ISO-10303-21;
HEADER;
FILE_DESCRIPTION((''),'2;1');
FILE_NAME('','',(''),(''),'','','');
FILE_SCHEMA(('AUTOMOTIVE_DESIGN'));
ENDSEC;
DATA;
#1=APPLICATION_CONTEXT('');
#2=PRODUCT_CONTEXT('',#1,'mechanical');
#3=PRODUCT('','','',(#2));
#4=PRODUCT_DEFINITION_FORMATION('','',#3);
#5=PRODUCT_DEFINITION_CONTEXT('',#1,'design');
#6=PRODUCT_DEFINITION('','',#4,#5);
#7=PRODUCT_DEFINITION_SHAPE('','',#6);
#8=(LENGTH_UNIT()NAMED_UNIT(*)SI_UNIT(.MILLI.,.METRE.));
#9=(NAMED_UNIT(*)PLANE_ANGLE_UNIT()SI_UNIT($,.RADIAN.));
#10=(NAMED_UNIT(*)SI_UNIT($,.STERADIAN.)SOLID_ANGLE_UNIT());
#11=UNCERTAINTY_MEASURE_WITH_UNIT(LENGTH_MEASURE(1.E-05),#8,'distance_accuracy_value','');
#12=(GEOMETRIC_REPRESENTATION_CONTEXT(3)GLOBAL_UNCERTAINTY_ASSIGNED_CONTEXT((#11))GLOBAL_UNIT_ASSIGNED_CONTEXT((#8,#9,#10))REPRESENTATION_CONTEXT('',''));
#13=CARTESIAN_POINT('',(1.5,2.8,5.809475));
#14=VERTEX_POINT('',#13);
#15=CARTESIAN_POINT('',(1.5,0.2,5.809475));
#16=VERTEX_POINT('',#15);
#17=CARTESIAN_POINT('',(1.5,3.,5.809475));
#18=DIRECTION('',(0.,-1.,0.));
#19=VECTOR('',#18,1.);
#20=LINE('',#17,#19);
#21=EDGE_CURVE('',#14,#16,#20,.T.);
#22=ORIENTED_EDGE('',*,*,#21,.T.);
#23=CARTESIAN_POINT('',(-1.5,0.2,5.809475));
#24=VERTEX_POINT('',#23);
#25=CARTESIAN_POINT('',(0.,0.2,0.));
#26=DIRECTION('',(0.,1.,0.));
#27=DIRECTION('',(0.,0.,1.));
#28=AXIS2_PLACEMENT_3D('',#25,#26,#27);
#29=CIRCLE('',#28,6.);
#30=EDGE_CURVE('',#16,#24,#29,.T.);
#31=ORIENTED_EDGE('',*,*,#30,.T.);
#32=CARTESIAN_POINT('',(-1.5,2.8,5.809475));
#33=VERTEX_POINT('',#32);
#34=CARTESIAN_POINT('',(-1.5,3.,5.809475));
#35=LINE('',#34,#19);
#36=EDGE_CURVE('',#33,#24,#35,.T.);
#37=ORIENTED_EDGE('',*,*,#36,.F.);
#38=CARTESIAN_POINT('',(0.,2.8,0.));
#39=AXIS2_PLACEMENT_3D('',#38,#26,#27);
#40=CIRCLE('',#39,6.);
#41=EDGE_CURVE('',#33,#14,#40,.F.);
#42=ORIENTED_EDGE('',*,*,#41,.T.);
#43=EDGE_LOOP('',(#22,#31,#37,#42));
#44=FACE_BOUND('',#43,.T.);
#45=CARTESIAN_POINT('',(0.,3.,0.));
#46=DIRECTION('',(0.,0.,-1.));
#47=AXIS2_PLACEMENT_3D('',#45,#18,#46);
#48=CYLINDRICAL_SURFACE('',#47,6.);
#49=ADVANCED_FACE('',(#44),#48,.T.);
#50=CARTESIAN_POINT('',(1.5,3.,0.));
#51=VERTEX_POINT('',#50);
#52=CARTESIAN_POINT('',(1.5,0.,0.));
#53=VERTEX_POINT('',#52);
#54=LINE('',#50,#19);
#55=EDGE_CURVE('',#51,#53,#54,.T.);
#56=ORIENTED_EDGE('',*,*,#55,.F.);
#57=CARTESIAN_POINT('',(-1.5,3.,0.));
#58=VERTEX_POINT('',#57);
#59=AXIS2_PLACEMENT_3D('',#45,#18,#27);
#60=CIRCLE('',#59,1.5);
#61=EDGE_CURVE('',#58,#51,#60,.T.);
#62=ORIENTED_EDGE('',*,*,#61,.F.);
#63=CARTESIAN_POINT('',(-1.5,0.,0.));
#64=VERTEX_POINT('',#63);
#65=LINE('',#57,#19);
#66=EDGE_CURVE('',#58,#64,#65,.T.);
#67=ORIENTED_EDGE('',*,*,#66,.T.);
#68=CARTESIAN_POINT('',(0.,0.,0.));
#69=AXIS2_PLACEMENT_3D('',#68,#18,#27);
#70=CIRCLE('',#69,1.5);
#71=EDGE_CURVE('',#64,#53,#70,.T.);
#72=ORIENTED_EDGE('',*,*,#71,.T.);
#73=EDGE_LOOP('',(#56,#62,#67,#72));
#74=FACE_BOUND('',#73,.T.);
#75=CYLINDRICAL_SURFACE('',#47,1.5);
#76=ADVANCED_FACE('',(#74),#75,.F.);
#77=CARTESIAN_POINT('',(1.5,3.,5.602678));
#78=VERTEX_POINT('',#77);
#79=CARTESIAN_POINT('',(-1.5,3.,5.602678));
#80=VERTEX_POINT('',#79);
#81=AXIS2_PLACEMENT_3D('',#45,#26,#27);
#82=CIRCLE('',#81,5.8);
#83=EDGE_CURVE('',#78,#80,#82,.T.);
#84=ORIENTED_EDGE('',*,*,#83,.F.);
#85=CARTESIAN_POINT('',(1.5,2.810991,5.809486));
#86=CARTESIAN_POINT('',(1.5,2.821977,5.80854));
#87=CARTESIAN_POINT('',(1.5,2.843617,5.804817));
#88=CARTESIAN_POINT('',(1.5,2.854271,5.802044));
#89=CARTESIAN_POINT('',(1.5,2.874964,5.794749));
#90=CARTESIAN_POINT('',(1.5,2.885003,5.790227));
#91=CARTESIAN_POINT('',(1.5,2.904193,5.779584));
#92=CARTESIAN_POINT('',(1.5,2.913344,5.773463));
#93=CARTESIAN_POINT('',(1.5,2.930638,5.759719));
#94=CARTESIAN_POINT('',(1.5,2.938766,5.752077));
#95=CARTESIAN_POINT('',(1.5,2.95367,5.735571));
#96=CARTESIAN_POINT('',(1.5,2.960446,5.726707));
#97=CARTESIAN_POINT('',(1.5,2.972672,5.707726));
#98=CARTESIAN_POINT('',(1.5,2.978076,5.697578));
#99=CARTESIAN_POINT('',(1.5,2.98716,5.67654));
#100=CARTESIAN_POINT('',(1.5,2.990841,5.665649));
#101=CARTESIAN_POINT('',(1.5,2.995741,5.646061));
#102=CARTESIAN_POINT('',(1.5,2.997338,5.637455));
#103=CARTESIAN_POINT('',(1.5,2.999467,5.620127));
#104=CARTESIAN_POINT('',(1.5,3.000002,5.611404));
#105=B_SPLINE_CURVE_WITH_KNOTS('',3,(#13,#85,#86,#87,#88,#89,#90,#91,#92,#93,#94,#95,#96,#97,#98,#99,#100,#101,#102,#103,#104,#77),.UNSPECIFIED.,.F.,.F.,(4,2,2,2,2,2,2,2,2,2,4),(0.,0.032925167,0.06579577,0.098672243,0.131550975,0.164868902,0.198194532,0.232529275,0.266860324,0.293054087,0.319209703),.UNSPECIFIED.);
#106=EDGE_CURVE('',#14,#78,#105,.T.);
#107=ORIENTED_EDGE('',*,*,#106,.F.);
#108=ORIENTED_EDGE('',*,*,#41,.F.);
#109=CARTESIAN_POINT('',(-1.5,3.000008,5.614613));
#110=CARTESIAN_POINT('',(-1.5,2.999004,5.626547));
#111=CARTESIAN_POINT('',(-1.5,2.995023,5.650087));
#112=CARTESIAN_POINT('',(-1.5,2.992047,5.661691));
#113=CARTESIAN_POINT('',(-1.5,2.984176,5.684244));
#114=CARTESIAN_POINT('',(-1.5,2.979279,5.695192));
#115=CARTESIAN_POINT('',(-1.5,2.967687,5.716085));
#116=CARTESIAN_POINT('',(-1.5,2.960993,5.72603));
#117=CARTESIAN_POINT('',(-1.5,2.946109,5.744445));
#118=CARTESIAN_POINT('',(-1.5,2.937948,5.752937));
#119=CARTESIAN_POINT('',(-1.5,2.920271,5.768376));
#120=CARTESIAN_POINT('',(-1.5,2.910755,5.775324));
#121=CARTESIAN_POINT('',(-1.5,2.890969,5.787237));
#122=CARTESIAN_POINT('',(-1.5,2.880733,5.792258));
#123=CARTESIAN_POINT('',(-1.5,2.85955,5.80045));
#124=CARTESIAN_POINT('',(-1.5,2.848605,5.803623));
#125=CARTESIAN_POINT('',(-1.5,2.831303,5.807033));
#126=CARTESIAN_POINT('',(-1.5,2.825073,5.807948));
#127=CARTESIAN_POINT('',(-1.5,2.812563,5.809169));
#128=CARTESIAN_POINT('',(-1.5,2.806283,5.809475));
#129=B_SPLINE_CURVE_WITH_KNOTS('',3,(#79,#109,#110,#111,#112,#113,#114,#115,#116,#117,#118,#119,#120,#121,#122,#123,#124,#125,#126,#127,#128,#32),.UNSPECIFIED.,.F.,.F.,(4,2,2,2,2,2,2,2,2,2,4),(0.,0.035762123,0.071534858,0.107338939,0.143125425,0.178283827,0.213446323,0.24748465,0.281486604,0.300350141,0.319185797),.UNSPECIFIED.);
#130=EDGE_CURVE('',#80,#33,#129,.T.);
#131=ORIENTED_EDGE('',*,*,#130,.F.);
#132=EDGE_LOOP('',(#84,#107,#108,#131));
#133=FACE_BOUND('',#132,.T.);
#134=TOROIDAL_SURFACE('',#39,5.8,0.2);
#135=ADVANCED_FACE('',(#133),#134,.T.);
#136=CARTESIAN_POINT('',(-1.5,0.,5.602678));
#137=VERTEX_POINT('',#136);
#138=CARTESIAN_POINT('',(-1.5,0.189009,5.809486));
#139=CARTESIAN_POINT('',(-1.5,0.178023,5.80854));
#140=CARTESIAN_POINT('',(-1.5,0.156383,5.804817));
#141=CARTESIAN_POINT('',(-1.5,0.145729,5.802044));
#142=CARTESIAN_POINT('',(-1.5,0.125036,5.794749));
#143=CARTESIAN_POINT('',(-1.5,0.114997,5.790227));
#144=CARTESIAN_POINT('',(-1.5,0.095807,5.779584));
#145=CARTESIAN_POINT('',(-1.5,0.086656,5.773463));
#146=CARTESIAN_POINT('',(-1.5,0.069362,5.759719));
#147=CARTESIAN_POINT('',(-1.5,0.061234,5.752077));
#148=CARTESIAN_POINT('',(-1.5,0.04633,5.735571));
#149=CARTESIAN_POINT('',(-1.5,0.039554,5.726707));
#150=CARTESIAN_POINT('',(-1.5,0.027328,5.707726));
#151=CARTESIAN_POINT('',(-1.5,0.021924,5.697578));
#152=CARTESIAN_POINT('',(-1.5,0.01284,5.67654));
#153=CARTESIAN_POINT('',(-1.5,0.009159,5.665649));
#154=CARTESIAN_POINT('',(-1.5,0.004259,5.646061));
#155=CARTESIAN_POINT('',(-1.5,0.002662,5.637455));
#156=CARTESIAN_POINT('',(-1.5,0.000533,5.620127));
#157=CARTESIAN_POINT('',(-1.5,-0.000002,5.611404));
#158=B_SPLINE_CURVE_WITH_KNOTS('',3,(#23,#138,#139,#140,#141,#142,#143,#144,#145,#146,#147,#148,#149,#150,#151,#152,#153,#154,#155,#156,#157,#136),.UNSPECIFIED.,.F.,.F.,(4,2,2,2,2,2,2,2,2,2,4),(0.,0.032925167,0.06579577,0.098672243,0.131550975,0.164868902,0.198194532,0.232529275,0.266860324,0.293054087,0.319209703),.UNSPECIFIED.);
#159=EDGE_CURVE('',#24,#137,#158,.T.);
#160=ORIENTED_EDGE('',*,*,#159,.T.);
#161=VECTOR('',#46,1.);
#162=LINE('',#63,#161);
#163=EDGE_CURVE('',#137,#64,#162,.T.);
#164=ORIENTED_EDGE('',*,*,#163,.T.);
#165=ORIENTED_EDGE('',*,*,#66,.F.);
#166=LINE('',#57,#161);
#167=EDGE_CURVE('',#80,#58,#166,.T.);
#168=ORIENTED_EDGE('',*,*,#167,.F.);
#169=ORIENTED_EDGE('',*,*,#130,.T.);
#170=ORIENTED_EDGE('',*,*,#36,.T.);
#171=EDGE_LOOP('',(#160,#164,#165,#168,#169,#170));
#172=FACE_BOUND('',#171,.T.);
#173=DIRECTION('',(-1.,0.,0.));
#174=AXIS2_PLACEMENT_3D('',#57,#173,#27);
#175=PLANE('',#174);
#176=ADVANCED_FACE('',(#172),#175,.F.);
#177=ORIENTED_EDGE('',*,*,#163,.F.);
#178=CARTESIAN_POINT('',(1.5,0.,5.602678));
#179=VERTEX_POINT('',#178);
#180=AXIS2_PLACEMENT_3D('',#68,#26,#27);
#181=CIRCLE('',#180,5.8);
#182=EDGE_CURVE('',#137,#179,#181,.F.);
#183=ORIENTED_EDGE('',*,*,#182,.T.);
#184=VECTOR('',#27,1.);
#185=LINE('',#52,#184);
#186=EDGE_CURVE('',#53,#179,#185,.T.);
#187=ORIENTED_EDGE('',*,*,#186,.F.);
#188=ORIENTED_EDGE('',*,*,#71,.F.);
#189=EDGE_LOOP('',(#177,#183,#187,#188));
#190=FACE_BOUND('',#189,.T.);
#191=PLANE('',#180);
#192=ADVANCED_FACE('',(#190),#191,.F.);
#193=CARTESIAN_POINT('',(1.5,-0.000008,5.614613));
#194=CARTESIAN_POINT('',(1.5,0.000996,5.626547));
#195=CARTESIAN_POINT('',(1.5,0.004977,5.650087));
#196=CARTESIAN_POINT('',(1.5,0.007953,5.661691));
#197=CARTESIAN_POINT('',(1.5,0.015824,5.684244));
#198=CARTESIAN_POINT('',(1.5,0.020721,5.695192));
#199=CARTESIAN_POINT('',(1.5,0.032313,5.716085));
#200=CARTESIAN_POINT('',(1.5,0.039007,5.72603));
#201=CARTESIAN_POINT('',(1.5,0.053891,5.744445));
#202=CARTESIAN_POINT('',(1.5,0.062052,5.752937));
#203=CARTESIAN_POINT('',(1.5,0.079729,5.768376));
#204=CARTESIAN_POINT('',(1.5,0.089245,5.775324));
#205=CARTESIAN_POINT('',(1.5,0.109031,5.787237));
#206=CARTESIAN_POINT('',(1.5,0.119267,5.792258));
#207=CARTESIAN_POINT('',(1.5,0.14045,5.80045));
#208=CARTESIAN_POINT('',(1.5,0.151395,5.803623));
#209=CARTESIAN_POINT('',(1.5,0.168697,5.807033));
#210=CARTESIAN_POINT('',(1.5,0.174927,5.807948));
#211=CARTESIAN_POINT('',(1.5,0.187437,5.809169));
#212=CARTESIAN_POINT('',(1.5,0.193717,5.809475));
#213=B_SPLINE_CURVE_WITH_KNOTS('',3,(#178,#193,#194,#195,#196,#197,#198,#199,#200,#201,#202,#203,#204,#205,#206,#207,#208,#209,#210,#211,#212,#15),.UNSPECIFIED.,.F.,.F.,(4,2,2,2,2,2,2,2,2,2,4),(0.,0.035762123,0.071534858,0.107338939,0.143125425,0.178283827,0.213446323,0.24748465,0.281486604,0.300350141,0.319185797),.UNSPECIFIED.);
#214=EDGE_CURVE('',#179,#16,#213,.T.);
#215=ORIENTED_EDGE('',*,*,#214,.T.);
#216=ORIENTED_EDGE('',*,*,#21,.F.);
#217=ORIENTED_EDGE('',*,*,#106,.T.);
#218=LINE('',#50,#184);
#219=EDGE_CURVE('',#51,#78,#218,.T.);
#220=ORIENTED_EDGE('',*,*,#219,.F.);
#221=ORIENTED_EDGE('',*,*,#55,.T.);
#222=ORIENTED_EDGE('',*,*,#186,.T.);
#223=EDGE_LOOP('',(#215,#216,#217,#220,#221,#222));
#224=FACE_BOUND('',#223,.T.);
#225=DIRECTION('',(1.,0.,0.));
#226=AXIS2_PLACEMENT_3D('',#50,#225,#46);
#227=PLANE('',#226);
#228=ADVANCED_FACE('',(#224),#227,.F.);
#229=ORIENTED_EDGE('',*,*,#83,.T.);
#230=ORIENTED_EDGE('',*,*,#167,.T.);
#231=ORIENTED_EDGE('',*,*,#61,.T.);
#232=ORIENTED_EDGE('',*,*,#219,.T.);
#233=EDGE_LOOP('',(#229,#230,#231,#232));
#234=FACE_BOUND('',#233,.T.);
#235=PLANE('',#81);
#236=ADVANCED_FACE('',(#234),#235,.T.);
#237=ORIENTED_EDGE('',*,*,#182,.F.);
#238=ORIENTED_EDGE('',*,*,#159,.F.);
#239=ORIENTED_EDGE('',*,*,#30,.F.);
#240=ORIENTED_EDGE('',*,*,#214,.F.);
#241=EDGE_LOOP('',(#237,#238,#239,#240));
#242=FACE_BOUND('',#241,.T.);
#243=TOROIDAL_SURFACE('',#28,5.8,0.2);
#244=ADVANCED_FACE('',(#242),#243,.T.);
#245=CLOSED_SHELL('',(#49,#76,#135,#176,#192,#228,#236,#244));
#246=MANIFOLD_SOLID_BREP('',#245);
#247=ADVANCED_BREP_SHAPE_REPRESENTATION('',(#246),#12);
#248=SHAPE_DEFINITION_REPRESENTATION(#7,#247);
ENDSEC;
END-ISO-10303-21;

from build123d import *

# Parameters (mm, degrees)
BOSS_EXTRUDE1_DEPTH = 3
FILLET1_R           = 0.2


with BuildPart() as part:
    # Sketch1 → Boss-Extrude1 (new body)
    with BuildSketch(Plane(origin=(0, 0, 0), x_dir=(1, 0, 0), z_dir=(0, 1, 0))):
        with BuildLine():
            Line((-1.5, 0), (-1.5, -5.809475019))
            ThreePointArc((-1.5, -5.809475019), (0, 6), (1.5, -5.809475019))
            Line((1.5, -5.809475019), (1.5, 0))
            ThreePointArc((1.5, 0), (0, 1.5), (-1.5, 0))
        make_face()
    extrude(amount=BOSS_EXTRUDE1_DEPTH)

    # Fillet1
    fillet1_edges = [part.edges().sort_by_distance(p)[0] for p in [
        (0, 3, -6),
        (0, 0, -6),
    ]]
    fillet(fillet1_edges, radius=FILLET1_R)


solid = part.part
